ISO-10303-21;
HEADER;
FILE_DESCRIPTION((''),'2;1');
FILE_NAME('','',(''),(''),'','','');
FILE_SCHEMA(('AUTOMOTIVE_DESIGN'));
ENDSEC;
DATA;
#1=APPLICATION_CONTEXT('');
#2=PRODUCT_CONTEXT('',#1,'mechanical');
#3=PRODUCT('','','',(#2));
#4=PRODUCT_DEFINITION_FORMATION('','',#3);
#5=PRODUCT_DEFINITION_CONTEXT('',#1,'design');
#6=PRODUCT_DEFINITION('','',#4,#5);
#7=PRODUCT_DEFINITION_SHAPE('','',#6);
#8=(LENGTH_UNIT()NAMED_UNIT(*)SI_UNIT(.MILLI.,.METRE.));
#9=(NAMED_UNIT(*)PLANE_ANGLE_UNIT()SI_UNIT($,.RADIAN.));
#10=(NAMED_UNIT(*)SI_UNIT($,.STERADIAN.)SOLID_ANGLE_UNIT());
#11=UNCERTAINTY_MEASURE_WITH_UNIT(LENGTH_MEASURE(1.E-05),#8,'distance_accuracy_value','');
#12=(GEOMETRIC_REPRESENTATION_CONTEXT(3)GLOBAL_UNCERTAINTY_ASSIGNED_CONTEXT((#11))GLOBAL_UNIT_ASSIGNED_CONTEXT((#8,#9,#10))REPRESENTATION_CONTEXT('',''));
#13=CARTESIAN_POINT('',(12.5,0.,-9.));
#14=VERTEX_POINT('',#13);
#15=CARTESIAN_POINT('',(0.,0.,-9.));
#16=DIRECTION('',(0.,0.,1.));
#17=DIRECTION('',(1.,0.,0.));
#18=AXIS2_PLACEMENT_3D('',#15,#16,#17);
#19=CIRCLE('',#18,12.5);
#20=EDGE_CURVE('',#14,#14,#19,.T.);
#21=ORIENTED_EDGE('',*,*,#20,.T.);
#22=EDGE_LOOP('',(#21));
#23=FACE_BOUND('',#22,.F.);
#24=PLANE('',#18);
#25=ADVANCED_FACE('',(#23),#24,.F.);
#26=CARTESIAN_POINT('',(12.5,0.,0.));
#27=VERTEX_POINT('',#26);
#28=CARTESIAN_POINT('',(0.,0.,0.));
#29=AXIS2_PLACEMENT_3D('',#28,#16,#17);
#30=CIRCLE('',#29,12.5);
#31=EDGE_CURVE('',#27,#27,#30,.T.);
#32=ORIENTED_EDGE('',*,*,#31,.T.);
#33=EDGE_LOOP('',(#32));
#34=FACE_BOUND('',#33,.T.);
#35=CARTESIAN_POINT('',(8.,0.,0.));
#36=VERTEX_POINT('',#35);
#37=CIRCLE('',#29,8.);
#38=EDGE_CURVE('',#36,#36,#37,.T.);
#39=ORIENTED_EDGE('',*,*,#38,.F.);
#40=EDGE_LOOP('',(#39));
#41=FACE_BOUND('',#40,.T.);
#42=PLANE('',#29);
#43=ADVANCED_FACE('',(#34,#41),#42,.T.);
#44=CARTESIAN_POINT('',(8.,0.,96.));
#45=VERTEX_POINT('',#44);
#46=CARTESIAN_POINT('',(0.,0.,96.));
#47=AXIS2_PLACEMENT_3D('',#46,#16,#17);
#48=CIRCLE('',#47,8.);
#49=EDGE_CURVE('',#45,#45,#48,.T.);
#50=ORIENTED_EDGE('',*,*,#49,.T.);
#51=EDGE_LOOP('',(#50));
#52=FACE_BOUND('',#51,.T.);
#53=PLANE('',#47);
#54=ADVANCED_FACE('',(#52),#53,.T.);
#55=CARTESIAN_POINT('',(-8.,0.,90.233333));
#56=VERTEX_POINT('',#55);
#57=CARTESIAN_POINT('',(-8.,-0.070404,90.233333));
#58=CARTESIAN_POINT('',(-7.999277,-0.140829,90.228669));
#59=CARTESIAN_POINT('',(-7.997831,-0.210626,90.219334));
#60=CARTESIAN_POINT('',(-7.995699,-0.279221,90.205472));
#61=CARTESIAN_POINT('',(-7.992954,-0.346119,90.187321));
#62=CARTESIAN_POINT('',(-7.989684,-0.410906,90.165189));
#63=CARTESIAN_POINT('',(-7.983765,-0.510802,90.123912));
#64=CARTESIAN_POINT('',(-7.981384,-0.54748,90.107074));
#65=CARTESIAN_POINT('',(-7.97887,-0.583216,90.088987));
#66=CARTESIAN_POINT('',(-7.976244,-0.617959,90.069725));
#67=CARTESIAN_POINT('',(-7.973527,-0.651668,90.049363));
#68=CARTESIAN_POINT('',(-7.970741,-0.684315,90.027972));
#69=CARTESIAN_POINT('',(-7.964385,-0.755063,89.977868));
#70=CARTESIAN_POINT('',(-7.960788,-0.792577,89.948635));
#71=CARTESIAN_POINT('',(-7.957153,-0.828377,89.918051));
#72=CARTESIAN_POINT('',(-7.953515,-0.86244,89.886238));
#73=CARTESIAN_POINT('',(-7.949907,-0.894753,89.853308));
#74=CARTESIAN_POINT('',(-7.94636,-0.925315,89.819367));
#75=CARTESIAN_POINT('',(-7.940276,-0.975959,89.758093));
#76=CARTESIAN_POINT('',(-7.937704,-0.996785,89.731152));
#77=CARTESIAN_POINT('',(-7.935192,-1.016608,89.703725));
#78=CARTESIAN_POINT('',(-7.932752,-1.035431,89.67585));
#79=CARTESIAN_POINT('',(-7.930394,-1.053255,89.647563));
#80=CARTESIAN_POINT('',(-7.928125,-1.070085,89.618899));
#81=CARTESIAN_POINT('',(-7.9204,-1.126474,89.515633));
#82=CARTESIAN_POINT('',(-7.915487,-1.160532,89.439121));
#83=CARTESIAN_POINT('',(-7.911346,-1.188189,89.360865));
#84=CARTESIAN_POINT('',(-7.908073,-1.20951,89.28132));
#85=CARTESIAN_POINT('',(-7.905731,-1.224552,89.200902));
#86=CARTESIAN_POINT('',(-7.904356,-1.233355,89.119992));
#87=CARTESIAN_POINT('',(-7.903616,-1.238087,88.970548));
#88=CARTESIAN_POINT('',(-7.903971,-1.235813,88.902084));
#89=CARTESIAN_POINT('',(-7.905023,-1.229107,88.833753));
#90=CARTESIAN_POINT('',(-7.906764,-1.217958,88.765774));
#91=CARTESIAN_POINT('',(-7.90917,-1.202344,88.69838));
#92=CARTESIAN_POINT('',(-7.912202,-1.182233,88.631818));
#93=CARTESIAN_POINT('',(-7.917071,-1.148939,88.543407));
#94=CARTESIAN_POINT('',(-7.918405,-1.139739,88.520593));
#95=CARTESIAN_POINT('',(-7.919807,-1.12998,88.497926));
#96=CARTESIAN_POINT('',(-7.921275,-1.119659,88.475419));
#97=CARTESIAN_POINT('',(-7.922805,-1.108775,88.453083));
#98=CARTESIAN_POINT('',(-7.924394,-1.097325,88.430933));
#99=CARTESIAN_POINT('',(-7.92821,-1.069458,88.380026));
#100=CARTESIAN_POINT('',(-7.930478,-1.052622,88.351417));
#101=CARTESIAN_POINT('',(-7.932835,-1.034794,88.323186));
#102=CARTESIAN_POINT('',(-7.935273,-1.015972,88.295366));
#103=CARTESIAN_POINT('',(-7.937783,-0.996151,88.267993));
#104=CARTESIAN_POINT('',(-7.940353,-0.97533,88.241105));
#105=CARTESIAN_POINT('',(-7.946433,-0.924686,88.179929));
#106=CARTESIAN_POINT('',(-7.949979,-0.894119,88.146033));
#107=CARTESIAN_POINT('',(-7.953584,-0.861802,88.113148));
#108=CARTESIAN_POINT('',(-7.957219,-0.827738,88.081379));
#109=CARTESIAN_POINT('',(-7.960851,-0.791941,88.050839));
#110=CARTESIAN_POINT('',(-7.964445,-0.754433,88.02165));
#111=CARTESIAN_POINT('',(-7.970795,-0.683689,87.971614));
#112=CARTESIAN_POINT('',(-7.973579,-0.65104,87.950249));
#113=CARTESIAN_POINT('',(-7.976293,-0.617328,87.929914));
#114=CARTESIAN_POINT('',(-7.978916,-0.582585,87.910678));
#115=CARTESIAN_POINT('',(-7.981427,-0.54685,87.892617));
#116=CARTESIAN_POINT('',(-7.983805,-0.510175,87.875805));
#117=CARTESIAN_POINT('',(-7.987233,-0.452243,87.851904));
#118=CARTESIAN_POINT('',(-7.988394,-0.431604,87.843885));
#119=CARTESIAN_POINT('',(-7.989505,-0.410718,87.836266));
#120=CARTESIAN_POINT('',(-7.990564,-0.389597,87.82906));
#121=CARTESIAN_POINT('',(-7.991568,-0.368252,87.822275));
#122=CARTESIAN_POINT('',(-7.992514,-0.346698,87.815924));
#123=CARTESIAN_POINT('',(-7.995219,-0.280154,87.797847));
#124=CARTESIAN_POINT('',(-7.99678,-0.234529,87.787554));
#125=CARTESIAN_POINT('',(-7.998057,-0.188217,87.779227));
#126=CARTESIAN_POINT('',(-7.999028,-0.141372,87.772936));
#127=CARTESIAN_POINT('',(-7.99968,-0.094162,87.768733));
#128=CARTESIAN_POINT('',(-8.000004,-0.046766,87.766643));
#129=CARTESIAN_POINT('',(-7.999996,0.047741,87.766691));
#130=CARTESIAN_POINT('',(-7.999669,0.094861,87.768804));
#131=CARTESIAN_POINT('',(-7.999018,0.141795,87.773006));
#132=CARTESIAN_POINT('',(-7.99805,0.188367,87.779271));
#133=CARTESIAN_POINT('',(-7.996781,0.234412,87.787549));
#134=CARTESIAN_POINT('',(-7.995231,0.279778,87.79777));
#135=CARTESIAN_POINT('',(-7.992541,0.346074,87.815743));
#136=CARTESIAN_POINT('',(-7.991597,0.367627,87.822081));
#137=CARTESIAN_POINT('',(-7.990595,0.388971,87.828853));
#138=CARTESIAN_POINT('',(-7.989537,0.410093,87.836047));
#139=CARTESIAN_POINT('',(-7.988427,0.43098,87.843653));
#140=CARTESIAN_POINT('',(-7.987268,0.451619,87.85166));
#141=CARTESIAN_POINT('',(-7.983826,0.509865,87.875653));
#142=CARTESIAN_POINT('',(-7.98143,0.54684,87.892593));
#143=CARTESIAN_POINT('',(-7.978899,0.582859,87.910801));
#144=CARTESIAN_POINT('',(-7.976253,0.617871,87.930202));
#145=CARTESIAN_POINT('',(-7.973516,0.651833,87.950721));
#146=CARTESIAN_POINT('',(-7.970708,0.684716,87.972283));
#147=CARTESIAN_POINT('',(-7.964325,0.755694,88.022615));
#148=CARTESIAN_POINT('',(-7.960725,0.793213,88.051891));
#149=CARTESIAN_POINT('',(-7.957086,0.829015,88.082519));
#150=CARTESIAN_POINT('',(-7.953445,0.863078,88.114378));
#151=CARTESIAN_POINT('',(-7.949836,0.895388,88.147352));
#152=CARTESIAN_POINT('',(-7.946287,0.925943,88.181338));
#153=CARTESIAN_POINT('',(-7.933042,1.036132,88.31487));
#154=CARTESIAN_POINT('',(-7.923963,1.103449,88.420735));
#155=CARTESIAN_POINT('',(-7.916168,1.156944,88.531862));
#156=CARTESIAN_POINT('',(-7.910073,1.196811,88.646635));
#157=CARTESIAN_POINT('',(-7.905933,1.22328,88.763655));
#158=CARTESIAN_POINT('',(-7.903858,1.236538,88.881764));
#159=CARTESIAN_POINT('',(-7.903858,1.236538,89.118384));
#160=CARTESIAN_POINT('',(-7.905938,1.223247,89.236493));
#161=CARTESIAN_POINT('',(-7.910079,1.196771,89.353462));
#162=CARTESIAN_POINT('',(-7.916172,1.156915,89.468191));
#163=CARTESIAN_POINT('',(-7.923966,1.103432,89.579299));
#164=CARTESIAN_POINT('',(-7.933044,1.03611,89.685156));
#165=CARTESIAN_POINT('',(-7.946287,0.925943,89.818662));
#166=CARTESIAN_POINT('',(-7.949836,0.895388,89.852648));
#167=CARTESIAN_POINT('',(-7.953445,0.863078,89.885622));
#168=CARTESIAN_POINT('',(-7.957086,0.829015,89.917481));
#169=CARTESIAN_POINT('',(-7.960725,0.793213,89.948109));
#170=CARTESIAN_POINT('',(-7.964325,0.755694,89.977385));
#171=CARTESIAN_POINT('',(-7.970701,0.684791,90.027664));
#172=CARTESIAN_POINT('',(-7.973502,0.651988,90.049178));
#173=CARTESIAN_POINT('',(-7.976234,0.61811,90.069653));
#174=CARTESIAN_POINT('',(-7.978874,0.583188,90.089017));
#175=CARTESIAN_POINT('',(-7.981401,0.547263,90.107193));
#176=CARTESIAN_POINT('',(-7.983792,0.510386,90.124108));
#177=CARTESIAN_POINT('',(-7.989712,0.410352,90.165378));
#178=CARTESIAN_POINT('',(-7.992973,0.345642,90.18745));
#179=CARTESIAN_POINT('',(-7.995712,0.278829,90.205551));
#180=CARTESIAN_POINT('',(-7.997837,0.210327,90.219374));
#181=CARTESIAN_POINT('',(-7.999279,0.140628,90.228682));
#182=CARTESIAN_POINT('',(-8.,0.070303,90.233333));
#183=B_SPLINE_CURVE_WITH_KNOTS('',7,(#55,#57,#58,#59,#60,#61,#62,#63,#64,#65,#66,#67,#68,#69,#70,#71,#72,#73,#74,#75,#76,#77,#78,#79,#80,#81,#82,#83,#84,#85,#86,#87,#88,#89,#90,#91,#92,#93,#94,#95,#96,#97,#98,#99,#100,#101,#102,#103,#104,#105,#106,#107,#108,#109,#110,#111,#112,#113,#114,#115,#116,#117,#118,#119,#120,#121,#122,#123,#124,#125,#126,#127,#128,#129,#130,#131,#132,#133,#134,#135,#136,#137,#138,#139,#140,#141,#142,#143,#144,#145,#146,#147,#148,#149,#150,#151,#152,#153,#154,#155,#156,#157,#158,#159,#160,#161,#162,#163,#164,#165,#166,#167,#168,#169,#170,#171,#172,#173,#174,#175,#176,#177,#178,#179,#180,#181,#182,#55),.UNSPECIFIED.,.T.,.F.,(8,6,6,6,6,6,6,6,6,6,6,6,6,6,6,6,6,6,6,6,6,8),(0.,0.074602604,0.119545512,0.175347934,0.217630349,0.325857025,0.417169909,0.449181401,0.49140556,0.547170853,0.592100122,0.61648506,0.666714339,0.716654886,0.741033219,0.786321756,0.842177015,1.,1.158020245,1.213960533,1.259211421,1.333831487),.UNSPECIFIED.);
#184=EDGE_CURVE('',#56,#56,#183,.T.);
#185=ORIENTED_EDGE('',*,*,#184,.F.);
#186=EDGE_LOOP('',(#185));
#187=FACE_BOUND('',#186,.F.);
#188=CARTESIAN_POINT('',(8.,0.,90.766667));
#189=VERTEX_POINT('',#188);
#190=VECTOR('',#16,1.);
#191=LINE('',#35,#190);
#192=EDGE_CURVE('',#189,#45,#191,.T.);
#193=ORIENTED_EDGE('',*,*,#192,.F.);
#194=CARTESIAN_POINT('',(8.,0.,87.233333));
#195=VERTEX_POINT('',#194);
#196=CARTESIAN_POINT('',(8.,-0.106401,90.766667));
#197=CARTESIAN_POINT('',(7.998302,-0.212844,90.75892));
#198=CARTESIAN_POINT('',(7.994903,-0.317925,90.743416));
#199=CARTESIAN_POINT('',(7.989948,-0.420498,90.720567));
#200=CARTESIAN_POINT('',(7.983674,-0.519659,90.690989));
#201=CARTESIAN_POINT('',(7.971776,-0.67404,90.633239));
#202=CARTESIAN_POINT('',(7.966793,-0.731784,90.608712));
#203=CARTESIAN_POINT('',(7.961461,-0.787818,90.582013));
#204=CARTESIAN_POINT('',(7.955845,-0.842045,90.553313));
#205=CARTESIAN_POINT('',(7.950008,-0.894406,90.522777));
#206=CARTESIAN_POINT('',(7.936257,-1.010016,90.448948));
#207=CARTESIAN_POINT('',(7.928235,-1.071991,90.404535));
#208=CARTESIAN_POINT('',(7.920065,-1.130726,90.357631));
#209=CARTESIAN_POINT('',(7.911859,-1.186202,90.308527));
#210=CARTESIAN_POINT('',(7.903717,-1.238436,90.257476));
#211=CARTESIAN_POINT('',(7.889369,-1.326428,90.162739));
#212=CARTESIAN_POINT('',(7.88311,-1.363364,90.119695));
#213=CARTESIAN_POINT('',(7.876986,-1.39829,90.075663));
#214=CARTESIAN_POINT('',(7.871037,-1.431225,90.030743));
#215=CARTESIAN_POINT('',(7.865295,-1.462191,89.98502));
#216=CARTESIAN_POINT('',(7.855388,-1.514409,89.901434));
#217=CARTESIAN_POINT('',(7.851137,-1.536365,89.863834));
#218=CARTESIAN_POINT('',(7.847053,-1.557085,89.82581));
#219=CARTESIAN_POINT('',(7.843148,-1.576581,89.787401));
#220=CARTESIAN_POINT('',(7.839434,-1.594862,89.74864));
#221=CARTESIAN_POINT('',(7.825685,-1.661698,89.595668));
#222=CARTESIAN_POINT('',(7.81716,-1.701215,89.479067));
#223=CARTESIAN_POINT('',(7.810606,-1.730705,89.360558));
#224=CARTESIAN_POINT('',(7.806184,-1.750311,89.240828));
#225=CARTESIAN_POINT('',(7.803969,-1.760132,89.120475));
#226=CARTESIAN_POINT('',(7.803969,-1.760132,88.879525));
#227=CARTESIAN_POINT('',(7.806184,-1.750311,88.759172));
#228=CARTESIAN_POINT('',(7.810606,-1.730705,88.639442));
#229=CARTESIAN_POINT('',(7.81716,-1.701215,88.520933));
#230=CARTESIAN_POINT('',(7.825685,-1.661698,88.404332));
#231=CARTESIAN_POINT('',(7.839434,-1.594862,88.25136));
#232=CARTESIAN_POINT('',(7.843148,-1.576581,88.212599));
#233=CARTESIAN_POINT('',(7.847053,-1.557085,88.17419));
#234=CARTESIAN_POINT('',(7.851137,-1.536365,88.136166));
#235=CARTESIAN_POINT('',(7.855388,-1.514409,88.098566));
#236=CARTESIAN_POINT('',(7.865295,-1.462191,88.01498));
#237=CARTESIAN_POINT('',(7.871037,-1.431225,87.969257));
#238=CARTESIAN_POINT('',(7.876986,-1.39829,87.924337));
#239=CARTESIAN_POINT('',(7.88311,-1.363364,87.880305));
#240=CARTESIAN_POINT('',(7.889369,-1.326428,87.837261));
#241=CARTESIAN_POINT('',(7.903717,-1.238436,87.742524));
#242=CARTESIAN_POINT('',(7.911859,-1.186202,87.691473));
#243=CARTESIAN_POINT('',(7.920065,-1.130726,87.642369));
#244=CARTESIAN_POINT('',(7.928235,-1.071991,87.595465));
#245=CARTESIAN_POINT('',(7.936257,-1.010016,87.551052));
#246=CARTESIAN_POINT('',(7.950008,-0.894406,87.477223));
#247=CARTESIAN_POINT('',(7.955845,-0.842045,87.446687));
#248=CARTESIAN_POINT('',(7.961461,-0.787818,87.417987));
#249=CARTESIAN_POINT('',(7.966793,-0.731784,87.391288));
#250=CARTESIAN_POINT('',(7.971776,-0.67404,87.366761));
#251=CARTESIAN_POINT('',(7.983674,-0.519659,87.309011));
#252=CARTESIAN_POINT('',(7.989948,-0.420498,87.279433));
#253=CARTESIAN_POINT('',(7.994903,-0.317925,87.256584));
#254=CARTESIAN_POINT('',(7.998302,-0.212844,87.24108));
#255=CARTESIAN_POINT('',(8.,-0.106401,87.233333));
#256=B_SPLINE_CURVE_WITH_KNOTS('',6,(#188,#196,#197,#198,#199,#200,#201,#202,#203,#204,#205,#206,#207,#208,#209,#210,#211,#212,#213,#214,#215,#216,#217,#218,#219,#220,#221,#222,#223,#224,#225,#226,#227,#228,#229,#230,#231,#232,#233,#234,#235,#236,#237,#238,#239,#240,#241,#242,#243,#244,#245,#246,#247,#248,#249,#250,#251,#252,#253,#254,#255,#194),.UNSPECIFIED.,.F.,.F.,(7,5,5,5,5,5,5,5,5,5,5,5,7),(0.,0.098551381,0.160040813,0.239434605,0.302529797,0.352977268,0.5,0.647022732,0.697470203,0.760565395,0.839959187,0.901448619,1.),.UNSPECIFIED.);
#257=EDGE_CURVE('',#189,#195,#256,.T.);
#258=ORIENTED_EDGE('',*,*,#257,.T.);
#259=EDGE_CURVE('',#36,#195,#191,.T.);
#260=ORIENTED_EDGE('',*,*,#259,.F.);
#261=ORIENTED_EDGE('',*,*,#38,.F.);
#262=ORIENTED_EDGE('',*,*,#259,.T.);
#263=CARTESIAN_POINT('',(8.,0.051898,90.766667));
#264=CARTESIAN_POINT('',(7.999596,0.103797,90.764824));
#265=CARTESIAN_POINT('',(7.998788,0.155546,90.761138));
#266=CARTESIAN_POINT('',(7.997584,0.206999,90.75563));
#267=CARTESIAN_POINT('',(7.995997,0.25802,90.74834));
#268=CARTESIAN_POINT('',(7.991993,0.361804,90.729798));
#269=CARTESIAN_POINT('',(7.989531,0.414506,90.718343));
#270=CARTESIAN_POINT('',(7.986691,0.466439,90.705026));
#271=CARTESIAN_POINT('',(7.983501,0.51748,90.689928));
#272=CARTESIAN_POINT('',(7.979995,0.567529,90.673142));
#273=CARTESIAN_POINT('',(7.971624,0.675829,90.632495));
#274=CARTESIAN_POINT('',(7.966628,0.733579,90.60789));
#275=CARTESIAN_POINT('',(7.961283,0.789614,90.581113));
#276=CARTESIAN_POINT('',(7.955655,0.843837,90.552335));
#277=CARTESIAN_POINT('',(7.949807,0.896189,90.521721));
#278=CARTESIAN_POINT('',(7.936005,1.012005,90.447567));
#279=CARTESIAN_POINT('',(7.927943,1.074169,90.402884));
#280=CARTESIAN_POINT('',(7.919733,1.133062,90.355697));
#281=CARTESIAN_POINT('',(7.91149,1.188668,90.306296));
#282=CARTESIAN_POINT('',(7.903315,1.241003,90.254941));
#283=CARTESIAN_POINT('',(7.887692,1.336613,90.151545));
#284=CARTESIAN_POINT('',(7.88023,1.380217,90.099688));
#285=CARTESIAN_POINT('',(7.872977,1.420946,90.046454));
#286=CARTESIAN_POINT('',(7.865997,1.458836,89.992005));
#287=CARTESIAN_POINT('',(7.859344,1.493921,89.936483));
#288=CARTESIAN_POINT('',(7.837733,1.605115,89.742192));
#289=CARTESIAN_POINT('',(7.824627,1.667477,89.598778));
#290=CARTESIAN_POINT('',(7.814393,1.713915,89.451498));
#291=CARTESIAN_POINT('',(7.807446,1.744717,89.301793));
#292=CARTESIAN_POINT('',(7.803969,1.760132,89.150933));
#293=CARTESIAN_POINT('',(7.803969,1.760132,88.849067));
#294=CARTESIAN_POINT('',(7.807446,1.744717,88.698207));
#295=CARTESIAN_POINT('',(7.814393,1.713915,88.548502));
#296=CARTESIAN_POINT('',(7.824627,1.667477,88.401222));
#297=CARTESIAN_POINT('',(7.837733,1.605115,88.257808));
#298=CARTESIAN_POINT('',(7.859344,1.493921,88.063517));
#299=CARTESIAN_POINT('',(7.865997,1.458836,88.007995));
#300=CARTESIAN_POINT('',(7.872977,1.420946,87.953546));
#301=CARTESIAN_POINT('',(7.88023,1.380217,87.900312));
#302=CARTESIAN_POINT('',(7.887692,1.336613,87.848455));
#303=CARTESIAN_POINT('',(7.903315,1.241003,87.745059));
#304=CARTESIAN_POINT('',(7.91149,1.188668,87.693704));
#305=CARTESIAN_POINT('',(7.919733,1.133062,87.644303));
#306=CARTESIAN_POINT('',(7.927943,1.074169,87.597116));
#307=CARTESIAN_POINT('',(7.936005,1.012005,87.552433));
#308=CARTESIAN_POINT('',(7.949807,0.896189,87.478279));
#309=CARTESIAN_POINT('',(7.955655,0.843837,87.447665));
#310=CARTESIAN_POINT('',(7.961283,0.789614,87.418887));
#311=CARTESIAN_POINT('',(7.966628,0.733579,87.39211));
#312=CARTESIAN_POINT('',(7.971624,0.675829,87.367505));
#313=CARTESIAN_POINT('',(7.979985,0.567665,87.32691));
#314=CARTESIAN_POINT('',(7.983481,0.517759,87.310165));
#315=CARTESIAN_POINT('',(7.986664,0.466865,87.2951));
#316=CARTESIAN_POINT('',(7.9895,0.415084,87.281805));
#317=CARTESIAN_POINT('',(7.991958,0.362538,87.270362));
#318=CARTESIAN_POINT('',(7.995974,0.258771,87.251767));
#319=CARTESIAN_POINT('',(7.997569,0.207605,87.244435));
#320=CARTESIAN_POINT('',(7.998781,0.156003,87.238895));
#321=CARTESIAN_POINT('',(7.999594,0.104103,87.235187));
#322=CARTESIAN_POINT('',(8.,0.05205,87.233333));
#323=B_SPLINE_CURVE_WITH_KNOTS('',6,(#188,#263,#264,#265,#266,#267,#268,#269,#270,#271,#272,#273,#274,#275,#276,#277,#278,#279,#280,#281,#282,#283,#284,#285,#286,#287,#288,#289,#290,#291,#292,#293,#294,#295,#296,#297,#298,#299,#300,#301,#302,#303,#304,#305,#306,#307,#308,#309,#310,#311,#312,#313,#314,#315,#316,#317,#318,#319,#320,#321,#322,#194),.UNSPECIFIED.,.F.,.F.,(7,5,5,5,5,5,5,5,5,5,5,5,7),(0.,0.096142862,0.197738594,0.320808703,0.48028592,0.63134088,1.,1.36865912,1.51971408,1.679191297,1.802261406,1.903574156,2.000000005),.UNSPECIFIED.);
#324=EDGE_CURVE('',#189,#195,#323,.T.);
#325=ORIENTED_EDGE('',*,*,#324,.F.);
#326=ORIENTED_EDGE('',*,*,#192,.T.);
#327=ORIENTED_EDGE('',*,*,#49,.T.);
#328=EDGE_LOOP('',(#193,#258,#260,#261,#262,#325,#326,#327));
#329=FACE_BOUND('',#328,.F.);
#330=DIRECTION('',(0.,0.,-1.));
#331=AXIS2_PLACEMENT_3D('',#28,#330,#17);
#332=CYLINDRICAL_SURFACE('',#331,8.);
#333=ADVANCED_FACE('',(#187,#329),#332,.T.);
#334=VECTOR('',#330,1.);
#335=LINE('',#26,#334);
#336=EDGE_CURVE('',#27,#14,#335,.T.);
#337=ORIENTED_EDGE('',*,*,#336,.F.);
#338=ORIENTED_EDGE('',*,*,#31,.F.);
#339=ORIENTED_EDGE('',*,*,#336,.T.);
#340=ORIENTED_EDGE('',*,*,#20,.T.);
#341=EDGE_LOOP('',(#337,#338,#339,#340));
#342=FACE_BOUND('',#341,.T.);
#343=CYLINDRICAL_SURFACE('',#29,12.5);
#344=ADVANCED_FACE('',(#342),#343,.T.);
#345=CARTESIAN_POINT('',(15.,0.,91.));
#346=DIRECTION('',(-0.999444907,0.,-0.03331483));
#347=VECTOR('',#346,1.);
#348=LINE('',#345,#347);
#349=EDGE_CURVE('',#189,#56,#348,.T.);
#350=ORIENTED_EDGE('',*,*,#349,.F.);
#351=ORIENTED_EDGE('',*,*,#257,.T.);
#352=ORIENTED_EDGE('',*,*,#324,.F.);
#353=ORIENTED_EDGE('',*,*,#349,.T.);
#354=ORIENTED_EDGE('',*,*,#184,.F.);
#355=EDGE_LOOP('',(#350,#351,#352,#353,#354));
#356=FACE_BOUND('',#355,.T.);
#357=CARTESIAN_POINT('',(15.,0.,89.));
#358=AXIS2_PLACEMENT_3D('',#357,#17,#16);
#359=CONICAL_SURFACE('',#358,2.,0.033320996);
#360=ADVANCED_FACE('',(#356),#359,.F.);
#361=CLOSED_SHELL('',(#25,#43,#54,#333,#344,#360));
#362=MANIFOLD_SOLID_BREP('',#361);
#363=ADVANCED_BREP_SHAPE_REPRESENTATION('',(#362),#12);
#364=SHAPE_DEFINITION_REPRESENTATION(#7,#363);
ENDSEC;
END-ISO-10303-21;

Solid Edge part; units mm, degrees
sketch "Sketch1" plane through (0, 0, 0) normal (0, 0, 1) x (1, 0, 0)
  circle A0 centre (0, 0) radius 12.5
extrude "ExtrudedProtrusion_1" add sketch "Sketch1" against normal blind 9
sketch "Sketch2" plane through (0, 0, 0) normal (0, 0, 1) x (1, 0, 0)
  circle A0 centre (0, 0) radius 8
extrude "ExtrudedProtrusion_2" add sketch "Sketch2" along normal blind 96
sketch "Sketch3" plane through (0, 0, 0) normal (0, -1, 0) x (1, 0, 0)
  line L0 (15, 89) -> (15, 91)
  line L1 (15, 91) -> (-15, 90)
  line L2 (-15, 90) -> (-15, 89)
  line L3 (15, 89) -> (-15, 89)
  line L4 (0, 89) -> (15, 89)
revolve "RevolvedCutout1" cut sketch "Sketch3" angle 360 about axis through (0, 0, 89) along (1, 0, 0)
